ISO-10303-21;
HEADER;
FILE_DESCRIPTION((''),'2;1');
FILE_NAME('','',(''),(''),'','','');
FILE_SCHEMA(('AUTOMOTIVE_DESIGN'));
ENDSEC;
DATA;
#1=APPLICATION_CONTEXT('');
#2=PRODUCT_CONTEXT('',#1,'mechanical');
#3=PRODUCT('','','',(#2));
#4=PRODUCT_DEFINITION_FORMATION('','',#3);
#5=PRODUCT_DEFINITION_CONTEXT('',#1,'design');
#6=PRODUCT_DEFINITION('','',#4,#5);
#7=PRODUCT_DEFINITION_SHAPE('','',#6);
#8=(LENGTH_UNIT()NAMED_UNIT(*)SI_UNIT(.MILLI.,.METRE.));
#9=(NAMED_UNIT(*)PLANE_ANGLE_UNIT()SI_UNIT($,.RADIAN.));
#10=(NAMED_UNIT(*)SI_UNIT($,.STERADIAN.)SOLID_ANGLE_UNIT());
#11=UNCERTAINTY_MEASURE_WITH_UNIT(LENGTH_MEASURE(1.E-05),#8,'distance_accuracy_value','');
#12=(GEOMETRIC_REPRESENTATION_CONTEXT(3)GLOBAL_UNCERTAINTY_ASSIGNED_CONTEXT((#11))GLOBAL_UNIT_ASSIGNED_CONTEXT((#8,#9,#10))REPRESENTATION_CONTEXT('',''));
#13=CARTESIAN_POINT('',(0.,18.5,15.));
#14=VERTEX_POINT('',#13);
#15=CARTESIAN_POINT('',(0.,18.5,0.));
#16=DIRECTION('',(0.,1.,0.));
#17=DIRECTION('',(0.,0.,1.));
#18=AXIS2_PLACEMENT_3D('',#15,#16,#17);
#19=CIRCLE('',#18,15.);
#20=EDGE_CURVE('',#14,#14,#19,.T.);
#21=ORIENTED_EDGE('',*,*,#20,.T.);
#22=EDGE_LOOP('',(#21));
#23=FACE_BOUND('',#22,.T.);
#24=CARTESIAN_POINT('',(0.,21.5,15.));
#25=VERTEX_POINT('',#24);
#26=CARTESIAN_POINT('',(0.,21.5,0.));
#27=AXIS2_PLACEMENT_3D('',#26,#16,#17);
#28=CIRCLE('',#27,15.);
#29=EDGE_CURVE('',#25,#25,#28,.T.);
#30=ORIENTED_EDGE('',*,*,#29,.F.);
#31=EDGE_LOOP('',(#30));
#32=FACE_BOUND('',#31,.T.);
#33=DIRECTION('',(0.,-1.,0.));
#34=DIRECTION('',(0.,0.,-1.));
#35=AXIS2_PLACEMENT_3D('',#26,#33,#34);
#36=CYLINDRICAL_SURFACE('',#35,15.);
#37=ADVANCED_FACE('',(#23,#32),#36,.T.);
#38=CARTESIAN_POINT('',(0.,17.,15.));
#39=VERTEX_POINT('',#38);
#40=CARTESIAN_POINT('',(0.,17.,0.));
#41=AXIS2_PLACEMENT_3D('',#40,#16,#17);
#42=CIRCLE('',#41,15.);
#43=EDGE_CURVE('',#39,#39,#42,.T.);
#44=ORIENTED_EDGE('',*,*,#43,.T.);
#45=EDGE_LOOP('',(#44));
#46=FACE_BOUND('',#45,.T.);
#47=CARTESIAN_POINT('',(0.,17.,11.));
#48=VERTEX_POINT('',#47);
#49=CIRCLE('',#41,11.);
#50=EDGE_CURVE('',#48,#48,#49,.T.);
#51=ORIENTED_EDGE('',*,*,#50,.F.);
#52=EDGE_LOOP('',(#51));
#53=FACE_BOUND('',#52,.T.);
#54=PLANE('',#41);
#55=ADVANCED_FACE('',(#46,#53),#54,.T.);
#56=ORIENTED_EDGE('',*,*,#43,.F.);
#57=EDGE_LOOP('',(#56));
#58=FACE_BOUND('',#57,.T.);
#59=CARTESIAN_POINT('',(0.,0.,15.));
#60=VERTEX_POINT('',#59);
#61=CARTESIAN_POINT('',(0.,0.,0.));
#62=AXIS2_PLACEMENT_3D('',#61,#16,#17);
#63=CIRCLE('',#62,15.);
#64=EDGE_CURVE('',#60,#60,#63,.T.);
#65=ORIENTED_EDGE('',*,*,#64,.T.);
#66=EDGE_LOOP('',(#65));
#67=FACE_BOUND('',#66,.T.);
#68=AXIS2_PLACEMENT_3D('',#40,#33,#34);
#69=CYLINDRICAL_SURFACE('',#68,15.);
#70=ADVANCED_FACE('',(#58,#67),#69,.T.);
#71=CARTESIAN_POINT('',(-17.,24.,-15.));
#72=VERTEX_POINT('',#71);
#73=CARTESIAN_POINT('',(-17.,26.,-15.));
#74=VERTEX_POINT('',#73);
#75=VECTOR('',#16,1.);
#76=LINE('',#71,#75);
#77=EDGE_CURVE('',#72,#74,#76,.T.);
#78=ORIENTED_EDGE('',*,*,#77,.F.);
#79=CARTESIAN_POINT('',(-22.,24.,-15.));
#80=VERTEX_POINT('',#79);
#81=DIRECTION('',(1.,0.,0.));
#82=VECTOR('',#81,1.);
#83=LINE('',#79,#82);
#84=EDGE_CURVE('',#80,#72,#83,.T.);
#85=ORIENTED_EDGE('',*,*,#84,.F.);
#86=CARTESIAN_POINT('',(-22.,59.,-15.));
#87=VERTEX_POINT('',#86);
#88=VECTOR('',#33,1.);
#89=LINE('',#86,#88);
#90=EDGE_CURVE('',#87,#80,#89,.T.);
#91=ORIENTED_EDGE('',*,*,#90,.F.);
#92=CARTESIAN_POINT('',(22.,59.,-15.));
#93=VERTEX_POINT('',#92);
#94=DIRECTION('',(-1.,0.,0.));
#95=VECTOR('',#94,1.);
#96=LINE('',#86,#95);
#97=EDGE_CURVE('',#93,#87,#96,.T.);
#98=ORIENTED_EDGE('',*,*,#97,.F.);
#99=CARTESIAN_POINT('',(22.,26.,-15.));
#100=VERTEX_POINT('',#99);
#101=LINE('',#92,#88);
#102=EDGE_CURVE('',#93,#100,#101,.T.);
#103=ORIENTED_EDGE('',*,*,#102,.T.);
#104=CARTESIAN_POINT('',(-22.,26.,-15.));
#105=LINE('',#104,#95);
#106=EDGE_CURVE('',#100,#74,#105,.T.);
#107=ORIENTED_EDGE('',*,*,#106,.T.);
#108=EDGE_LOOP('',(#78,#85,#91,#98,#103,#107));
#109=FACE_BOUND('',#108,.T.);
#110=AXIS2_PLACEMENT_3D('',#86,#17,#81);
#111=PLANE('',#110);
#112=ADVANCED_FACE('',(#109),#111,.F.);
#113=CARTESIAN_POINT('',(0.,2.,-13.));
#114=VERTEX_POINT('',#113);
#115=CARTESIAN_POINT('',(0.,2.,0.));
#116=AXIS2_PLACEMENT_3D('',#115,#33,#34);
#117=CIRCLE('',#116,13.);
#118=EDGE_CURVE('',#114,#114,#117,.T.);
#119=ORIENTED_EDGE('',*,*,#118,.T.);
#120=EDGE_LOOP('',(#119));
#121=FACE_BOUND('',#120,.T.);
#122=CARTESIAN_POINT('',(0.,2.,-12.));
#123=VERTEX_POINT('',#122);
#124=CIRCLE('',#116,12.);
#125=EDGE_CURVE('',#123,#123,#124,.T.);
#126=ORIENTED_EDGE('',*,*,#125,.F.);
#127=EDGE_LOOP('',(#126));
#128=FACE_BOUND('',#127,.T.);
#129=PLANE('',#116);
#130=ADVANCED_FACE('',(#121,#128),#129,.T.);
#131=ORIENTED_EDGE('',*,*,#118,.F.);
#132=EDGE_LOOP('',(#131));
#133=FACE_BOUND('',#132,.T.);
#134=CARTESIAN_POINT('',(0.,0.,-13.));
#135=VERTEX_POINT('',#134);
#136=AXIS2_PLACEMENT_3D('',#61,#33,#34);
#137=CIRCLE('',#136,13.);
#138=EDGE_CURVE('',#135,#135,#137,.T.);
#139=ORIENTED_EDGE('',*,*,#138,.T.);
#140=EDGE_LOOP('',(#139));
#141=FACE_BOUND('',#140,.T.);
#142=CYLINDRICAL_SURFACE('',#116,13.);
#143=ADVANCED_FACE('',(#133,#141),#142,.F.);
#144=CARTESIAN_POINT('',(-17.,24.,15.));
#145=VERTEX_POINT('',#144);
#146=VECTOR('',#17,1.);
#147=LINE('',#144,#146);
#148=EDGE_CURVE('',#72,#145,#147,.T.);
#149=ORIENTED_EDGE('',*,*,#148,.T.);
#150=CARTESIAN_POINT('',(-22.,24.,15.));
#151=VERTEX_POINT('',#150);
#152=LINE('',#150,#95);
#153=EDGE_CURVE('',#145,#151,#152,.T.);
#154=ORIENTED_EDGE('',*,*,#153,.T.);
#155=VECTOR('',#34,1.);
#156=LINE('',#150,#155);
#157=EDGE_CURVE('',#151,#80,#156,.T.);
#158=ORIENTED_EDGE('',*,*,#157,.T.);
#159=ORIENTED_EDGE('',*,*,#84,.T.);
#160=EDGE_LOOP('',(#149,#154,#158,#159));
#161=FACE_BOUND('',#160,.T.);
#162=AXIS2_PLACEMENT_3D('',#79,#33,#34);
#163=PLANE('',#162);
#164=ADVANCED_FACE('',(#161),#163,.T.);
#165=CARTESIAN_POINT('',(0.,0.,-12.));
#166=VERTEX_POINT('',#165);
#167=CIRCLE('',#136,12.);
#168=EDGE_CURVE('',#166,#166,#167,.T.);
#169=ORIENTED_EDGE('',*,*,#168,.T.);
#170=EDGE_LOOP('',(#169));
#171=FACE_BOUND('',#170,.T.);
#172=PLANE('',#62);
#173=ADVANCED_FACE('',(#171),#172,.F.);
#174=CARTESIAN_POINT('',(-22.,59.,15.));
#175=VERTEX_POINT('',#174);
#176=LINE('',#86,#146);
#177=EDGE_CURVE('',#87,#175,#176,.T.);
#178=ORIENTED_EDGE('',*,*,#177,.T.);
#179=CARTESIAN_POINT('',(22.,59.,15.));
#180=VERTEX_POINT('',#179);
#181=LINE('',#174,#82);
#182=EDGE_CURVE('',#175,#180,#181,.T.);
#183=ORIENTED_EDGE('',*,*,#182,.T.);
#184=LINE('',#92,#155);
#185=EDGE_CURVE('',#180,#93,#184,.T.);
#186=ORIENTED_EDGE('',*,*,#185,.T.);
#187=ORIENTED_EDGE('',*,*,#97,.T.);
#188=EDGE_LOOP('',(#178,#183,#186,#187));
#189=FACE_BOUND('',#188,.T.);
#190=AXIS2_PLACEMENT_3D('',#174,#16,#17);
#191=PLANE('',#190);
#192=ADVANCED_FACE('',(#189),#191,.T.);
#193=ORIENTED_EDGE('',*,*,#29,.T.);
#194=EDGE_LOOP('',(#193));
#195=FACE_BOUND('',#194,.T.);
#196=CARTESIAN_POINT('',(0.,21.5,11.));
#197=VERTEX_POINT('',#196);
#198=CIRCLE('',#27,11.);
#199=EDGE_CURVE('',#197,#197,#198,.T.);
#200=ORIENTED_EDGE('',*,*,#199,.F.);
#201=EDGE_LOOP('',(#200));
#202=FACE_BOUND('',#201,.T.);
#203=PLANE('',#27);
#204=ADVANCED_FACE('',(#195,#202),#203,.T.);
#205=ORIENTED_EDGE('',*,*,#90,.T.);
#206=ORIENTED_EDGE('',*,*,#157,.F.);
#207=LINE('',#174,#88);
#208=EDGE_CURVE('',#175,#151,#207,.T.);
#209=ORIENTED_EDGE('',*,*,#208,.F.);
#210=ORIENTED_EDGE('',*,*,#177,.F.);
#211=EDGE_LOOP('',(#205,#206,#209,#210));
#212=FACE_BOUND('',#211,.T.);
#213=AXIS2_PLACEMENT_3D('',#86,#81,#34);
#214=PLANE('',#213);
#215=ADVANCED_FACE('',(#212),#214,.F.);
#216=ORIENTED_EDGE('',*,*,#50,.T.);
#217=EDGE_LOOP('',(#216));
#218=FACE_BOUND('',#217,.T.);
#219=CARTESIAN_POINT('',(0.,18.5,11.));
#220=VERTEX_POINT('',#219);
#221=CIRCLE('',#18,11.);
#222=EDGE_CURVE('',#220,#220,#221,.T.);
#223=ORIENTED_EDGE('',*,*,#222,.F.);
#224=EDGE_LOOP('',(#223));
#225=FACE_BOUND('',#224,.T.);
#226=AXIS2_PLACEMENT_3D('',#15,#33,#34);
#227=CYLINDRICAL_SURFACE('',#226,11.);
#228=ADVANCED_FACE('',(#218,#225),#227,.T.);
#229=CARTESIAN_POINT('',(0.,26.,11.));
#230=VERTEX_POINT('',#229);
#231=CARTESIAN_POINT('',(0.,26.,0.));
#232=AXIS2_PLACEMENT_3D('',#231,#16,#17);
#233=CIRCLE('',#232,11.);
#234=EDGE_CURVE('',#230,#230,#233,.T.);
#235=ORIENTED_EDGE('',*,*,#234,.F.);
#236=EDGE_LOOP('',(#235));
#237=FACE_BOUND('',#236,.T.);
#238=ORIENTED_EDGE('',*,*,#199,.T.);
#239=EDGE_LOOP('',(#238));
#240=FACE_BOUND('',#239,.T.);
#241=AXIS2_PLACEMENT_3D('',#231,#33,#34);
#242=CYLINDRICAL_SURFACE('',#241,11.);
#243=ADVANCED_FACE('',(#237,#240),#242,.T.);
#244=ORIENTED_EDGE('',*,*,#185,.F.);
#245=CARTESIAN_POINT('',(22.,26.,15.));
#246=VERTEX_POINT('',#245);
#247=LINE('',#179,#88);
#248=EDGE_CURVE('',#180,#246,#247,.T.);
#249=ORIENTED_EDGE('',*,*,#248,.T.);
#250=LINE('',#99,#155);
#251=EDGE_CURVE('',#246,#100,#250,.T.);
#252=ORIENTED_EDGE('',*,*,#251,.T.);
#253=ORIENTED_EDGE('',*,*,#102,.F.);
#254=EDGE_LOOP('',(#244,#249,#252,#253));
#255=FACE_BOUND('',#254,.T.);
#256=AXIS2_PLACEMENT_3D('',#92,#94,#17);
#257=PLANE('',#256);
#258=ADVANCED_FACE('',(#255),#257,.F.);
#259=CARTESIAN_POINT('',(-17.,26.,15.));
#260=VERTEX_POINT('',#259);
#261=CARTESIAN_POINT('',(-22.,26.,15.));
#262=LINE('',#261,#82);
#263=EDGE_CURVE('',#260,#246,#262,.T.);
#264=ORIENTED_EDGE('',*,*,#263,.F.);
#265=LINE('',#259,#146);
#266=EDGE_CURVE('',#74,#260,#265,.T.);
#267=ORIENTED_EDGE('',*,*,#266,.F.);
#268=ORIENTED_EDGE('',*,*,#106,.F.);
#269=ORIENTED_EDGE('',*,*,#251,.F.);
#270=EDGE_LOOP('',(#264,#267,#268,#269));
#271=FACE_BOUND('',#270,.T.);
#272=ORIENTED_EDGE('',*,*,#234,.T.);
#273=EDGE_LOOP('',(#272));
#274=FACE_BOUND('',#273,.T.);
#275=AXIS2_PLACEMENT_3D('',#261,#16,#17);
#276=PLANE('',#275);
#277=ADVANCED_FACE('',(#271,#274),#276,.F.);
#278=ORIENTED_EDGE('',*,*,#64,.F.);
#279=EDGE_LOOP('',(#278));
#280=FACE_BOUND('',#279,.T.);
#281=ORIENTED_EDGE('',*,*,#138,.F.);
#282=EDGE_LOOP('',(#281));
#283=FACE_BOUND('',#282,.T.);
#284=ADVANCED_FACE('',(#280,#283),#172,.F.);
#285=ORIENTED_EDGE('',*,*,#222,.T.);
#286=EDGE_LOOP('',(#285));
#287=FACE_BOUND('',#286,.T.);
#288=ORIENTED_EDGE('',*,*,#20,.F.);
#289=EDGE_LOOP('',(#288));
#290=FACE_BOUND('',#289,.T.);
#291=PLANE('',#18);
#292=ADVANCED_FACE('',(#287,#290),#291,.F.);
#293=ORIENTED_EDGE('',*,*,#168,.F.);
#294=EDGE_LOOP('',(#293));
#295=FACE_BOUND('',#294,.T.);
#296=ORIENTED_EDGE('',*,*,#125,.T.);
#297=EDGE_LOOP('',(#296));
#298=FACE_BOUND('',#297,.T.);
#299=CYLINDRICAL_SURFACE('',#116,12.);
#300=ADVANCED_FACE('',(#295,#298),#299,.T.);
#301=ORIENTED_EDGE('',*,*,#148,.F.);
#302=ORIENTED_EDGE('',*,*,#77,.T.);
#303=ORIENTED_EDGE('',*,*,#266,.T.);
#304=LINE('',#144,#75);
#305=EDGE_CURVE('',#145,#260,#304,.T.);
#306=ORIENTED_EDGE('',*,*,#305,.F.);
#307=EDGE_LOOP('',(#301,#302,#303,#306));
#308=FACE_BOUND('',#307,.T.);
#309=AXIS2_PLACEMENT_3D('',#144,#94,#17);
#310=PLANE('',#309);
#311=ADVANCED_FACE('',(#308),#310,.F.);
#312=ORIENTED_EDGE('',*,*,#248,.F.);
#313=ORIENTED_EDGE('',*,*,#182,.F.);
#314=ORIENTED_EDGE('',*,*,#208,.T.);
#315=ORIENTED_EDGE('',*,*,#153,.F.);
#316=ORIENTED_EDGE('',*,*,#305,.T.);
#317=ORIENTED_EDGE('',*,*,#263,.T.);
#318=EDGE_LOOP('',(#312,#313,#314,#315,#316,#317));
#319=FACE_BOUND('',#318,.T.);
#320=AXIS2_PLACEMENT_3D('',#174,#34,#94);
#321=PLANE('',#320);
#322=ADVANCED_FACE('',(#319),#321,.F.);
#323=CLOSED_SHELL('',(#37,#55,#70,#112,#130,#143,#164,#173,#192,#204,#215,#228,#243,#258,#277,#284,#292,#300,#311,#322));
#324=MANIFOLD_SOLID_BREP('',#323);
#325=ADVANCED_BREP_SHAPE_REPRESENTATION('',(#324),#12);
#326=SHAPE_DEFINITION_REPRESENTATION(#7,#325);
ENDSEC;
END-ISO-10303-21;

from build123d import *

# Parameters (mm, degrees)
SKETCH_1_R          = 15
EXTRUDE_1_DEPTH     = 17
SKETCH_2_R          = 11
EXTRUDE_2_DEPTH     = 1.5
SKETCH_3_R          = 15
EXTRUDE_3_DEPTH     = 3
SKETCH_4_R          = 11
EXTRUDE_4_DEPTH     = 4.5
SKETCH_6_W          = 44
SKETCH_6_H          = 30
EXTRUDE_6_DEPTH     = 33
SKETCH_7_W          = 5
SKETCH_7_H          = 30
EXTRUDE_7_DEPTH     = 2
SKETCH_9_R          = 13
SKETCH_9_R_2        = 12
CUT_EXTRUDE_2_DEPTH = 2


with BuildPart() as part:
    # 草圖1 → 伸長1 (new body)
    with BuildSketch(Plane(origin=(0, 0, 0), x_dir=(1, 0, 0), z_dir=(0, 1, 0))):
        with Locations(Location((0, 0, 0), (0, 0, 270))):
            Circle(SKETCH_1_R)
    extrude(amount=EXTRUDE_1_DEPTH)

    # 草圖2 → 伸長2 (add)
    with BuildSketch(Plane(origin=(0, 17, 0), x_dir=(1, 0, 0), z_dir=(0, 1, 0))):
        with Locations(Location((0, 0, 0), (0, 0, 270))):
            Circle(SKETCH_2_R)
    extrude(amount=EXTRUDE_2_DEPTH)

    # 草圖3 → 伸長3 (add)
    with BuildSketch(Plane(origin=(0, 18.5, 0), x_dir=(1, 0, 0), z_dir=(0, 1, 0))):
        with Locations(Location((0, 0, 0), (0, 0, 270))):
            Circle(SKETCH_3_R)
    extrude(amount=EXTRUDE_3_DEPTH)

    # 草圖4 → 伸長4 (add)
    with BuildSketch(Plane(origin=(0, 21.5, 0), x_dir=(1, 0, 0), z_dir=(0, 1, 0))):
        with Locations(Location((0, 0, 0), (0, 0, 270))):
            Circle(SKETCH_4_R)
    extrude(amount=EXTRUDE_4_DEPTH)

    # 草圖6 → 伸長6 (add)
    with BuildSketch(Plane(origin=(0, 26, 0), x_dir=(1, 0, 0), z_dir=(0, 1, 0))):
        Rectangle(SKETCH_6_W, SKETCH_6_H)
    extrude(amount=EXTRUDE_6_DEPTH)

    # 草圖7 → 伸長7 (add)
    with BuildSketch(Plane.XZ.offset(-26)):
        with Locations((-19.5, 0)):
            Rectangle(SKETCH_7_W, SKETCH_7_H)
    extrude(amount=EXTRUDE_7_DEPTH)

    # 草圖9 → 除料-伸長2 (cut)
    with BuildSketch(Plane.XZ):
        with Locations(Location((0, 0, 0), (0, 0, 270))):
            Circle(SKETCH_9_R)
        with Locations(Location((0, 0, 0), (0, 0, 270))):
            Circle(SKETCH_9_R_2, mode=Mode.SUBTRACT)
    extrude(amount=-CUT_EXTRUDE_2_DEPTH, mode=Mode.SUBTRACT)


solid = part.part
